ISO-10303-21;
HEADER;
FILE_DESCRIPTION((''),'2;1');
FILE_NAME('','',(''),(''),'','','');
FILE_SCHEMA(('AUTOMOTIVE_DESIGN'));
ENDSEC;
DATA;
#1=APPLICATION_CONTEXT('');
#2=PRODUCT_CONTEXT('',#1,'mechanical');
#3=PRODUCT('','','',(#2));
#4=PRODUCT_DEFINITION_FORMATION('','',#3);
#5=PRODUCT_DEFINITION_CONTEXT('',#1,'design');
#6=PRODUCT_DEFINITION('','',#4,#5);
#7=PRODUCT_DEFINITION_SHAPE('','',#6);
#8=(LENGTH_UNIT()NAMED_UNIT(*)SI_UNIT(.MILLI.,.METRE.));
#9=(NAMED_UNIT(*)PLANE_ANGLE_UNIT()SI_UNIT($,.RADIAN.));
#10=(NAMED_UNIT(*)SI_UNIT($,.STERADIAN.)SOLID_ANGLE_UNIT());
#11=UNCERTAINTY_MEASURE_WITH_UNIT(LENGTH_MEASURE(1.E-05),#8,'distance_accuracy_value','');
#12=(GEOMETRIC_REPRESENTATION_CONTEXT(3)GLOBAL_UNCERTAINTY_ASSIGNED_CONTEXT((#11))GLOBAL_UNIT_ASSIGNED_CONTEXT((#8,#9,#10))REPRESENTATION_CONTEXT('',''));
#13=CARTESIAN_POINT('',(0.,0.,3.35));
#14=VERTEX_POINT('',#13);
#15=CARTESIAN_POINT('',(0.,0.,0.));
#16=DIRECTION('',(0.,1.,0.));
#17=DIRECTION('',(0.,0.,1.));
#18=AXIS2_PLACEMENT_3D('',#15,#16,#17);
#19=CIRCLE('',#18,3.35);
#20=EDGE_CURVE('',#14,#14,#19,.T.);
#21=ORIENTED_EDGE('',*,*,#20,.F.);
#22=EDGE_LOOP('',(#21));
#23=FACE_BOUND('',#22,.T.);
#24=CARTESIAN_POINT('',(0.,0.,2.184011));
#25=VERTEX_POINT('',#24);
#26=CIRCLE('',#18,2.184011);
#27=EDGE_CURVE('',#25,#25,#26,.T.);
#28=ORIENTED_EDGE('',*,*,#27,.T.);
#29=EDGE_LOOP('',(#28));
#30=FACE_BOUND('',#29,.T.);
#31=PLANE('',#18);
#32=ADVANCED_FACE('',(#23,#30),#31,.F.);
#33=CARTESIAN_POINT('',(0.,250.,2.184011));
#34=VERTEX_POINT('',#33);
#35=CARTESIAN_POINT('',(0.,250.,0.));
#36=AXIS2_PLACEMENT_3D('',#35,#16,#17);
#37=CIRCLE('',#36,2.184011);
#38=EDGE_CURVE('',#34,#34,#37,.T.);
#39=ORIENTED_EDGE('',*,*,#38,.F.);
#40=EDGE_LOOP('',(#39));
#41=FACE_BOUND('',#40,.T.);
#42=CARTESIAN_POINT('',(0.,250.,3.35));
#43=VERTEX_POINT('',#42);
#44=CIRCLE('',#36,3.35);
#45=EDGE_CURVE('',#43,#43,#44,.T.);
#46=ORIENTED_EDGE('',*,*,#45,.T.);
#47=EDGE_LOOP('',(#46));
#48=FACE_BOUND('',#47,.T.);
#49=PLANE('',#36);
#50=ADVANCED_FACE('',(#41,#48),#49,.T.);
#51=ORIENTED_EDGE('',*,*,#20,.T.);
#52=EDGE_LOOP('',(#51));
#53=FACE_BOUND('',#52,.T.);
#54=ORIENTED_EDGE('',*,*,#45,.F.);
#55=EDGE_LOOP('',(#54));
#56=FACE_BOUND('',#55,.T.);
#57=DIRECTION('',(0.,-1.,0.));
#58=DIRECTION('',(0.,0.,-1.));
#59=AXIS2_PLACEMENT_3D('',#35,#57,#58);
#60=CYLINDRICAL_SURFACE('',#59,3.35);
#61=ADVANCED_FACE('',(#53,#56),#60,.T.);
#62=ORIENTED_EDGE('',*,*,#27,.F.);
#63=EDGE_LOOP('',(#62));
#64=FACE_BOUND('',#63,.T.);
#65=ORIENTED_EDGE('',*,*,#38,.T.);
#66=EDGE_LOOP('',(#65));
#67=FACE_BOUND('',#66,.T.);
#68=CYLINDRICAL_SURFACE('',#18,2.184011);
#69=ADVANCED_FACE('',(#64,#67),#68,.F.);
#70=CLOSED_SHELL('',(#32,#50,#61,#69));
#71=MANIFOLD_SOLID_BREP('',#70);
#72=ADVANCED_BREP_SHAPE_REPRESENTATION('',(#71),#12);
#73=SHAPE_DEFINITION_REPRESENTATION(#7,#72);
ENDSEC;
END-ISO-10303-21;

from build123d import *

# Parameters (mm, degrees)
SKETCH1_R           = 3.35
BOSS_EXTRUDE1_DEPTH = 250
SKETCH2_R           = 2.184011469
CUT_EXTRUDE1_DEPTH  = 251.04488597


with BuildPart() as part:
    # Sketch1 → Boss-Extrude1 (new body)
    with BuildSketch(Plane(origin=(0, 0, 0), x_dir=(1, 0, 0), z_dir=(0, 1, 0))):
        with Locations(Location((0, 0, 0), (0, 0, 270))):
            Circle(SKETCH1_R)
    extrude(amount=BOSS_EXTRUDE1_DEPTH)

    # Sketch2 → Cut-Extrude1 (cut, through all)
    with BuildSketch(Plane(origin=(0, 250, 0), x_dir=(1, 0, 0), z_dir=(0, 1, 0))):
        with Locations(Location((0, 0, 0), (0, 0, 270))):
            Circle(SKETCH2_R)
    extrude(amount=-CUT_EXTRUDE1_DEPTH, mode=Mode.SUBTRACT)


solid = part.part
